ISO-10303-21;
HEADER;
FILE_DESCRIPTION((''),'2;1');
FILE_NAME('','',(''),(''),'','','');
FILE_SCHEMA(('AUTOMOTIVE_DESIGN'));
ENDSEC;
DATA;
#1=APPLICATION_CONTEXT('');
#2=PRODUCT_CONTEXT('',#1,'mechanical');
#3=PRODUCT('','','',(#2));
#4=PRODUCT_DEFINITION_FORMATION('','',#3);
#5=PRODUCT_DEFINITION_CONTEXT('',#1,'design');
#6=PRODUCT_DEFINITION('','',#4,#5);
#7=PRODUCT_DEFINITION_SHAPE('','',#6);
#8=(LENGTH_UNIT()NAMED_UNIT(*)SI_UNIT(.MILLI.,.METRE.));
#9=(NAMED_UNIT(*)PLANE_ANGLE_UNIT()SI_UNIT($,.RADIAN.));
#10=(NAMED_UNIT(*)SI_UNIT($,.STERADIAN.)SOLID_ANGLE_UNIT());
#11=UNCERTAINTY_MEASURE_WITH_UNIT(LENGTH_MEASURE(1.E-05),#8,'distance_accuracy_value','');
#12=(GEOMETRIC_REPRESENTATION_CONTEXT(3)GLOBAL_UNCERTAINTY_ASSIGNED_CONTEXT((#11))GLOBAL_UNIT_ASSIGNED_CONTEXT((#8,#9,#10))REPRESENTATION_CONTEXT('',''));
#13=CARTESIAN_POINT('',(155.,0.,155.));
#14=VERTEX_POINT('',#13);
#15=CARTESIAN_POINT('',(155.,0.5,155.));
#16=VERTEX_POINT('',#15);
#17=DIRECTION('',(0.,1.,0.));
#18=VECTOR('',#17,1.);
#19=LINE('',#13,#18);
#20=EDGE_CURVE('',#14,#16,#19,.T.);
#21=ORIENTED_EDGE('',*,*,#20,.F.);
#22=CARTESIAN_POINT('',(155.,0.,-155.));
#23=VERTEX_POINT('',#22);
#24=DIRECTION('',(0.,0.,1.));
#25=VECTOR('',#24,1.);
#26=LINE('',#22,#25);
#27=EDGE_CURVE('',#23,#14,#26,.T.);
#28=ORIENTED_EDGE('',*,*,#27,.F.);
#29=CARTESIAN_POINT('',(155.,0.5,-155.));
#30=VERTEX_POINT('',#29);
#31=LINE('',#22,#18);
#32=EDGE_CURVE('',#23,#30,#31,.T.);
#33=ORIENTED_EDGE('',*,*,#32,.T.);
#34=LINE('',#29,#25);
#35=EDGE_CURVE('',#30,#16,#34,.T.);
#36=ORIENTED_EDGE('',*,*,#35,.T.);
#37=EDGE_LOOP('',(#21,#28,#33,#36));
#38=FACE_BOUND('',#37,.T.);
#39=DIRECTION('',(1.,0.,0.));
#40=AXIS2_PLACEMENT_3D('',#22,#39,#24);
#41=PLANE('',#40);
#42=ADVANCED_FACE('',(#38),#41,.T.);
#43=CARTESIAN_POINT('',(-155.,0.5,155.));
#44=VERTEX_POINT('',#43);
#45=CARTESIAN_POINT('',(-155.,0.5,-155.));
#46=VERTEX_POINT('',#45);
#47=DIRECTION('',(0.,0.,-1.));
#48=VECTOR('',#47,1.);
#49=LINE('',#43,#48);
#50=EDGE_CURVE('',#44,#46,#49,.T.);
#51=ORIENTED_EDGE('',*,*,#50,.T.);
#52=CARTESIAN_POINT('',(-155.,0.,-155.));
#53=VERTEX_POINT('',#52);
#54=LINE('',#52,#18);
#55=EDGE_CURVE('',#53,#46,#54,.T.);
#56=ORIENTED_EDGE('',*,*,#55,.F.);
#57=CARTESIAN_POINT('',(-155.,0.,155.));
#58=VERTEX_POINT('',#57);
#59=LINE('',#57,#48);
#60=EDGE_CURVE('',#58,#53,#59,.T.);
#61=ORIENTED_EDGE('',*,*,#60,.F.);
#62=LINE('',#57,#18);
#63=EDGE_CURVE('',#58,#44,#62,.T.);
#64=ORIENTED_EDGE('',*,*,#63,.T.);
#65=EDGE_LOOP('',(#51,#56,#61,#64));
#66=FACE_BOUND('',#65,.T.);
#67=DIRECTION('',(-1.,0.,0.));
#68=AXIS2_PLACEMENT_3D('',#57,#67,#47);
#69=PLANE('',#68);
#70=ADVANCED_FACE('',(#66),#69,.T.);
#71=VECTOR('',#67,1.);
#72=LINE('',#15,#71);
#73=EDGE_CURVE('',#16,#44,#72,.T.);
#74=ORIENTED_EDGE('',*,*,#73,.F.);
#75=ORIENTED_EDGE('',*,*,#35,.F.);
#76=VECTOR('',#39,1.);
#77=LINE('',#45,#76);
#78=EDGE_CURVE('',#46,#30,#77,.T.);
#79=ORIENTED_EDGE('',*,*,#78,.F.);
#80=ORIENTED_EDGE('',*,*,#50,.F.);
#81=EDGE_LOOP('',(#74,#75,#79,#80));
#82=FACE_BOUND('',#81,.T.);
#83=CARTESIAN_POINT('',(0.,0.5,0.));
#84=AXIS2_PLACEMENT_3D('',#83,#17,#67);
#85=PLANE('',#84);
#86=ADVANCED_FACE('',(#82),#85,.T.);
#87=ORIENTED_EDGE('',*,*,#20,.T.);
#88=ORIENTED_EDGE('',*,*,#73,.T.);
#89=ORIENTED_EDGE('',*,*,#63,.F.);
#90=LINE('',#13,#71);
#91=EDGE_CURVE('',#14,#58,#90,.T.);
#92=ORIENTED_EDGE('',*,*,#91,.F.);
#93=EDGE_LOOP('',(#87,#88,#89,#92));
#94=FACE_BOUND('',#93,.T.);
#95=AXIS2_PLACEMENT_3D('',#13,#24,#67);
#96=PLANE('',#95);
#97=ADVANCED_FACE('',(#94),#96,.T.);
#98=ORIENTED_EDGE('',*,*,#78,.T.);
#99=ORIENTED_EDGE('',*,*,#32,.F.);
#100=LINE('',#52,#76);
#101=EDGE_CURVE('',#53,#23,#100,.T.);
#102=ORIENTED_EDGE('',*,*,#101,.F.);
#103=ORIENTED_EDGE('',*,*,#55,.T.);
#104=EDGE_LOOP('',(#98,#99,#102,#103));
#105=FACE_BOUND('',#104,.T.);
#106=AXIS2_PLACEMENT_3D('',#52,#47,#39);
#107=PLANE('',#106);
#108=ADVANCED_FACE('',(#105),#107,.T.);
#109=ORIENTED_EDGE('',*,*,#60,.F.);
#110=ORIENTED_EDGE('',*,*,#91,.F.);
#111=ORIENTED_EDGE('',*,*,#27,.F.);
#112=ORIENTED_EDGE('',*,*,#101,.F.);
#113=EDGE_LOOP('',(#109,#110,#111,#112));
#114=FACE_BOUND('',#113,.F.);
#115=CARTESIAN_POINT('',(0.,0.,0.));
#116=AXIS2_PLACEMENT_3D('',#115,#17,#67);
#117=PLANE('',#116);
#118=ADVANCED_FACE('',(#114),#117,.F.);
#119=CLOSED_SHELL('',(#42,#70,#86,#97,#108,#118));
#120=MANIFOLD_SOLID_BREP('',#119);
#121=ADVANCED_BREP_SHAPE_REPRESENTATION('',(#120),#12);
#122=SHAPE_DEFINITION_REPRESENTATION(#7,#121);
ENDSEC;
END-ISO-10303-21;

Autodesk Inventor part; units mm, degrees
ref_plane "YZ Plane" through (0, 0, 0) normal (1, 0, 0) x (0, 1, 0)
ref_plane "XZ Plane" through (0, 0, 0) normal (0, 1, 0) x (-1, 0, 0)
ref_plane "XY Plane" through (0, 0, 0) normal (0, 0, 1) x (1, 0, 0)
sketch "Esboço1" plane through (0, 0, 0) normal (0, 1, 0) x (-1, 0, 0)
  line L0 (-155, 155) -> (155, 155)
  line L1 (155, 155) -> (155, -155)
  line L2 (155, -155) -> (-155, -155)
  line L3 (-155, -155) -> (-155, 155)
  line L4 (-155, 155) -> (155, -155) construction
  line L5 (155, 155) -> (-155, -155) construction
  point P0 (0, 0)
  dimension "d0" = 310
  dimension "d1" = 310
extrude "Placa1" add sketch "Esboço1" along normal blind 0.5
equation "\"d2\" = Espessura"
equation "\"Raio_vergadura\" = Espessura"
equation "\"Largura_alívio_de_vergadura\" = Espessura"
equation "\"Profundidade_alívio_de_vergadura\" = 0.5 * Espessura"
equation "\"Tamanho_alívio_de_dobra\" = 4 * Espessura"
equation "\"Remanescente_mínimo\" = 2 * Espessura"
equation "\"Raiodetransição\" = Raio_vergadura"
equation "\"Tamanho_de_raio_de_Jacobi\" = Raio_vergadura"
equation "\"TamanhoFolga\" = Espessura"
equation "\"Espessura\" = 0.5"
properties part number "Tampa" material "PMMA plástico"
